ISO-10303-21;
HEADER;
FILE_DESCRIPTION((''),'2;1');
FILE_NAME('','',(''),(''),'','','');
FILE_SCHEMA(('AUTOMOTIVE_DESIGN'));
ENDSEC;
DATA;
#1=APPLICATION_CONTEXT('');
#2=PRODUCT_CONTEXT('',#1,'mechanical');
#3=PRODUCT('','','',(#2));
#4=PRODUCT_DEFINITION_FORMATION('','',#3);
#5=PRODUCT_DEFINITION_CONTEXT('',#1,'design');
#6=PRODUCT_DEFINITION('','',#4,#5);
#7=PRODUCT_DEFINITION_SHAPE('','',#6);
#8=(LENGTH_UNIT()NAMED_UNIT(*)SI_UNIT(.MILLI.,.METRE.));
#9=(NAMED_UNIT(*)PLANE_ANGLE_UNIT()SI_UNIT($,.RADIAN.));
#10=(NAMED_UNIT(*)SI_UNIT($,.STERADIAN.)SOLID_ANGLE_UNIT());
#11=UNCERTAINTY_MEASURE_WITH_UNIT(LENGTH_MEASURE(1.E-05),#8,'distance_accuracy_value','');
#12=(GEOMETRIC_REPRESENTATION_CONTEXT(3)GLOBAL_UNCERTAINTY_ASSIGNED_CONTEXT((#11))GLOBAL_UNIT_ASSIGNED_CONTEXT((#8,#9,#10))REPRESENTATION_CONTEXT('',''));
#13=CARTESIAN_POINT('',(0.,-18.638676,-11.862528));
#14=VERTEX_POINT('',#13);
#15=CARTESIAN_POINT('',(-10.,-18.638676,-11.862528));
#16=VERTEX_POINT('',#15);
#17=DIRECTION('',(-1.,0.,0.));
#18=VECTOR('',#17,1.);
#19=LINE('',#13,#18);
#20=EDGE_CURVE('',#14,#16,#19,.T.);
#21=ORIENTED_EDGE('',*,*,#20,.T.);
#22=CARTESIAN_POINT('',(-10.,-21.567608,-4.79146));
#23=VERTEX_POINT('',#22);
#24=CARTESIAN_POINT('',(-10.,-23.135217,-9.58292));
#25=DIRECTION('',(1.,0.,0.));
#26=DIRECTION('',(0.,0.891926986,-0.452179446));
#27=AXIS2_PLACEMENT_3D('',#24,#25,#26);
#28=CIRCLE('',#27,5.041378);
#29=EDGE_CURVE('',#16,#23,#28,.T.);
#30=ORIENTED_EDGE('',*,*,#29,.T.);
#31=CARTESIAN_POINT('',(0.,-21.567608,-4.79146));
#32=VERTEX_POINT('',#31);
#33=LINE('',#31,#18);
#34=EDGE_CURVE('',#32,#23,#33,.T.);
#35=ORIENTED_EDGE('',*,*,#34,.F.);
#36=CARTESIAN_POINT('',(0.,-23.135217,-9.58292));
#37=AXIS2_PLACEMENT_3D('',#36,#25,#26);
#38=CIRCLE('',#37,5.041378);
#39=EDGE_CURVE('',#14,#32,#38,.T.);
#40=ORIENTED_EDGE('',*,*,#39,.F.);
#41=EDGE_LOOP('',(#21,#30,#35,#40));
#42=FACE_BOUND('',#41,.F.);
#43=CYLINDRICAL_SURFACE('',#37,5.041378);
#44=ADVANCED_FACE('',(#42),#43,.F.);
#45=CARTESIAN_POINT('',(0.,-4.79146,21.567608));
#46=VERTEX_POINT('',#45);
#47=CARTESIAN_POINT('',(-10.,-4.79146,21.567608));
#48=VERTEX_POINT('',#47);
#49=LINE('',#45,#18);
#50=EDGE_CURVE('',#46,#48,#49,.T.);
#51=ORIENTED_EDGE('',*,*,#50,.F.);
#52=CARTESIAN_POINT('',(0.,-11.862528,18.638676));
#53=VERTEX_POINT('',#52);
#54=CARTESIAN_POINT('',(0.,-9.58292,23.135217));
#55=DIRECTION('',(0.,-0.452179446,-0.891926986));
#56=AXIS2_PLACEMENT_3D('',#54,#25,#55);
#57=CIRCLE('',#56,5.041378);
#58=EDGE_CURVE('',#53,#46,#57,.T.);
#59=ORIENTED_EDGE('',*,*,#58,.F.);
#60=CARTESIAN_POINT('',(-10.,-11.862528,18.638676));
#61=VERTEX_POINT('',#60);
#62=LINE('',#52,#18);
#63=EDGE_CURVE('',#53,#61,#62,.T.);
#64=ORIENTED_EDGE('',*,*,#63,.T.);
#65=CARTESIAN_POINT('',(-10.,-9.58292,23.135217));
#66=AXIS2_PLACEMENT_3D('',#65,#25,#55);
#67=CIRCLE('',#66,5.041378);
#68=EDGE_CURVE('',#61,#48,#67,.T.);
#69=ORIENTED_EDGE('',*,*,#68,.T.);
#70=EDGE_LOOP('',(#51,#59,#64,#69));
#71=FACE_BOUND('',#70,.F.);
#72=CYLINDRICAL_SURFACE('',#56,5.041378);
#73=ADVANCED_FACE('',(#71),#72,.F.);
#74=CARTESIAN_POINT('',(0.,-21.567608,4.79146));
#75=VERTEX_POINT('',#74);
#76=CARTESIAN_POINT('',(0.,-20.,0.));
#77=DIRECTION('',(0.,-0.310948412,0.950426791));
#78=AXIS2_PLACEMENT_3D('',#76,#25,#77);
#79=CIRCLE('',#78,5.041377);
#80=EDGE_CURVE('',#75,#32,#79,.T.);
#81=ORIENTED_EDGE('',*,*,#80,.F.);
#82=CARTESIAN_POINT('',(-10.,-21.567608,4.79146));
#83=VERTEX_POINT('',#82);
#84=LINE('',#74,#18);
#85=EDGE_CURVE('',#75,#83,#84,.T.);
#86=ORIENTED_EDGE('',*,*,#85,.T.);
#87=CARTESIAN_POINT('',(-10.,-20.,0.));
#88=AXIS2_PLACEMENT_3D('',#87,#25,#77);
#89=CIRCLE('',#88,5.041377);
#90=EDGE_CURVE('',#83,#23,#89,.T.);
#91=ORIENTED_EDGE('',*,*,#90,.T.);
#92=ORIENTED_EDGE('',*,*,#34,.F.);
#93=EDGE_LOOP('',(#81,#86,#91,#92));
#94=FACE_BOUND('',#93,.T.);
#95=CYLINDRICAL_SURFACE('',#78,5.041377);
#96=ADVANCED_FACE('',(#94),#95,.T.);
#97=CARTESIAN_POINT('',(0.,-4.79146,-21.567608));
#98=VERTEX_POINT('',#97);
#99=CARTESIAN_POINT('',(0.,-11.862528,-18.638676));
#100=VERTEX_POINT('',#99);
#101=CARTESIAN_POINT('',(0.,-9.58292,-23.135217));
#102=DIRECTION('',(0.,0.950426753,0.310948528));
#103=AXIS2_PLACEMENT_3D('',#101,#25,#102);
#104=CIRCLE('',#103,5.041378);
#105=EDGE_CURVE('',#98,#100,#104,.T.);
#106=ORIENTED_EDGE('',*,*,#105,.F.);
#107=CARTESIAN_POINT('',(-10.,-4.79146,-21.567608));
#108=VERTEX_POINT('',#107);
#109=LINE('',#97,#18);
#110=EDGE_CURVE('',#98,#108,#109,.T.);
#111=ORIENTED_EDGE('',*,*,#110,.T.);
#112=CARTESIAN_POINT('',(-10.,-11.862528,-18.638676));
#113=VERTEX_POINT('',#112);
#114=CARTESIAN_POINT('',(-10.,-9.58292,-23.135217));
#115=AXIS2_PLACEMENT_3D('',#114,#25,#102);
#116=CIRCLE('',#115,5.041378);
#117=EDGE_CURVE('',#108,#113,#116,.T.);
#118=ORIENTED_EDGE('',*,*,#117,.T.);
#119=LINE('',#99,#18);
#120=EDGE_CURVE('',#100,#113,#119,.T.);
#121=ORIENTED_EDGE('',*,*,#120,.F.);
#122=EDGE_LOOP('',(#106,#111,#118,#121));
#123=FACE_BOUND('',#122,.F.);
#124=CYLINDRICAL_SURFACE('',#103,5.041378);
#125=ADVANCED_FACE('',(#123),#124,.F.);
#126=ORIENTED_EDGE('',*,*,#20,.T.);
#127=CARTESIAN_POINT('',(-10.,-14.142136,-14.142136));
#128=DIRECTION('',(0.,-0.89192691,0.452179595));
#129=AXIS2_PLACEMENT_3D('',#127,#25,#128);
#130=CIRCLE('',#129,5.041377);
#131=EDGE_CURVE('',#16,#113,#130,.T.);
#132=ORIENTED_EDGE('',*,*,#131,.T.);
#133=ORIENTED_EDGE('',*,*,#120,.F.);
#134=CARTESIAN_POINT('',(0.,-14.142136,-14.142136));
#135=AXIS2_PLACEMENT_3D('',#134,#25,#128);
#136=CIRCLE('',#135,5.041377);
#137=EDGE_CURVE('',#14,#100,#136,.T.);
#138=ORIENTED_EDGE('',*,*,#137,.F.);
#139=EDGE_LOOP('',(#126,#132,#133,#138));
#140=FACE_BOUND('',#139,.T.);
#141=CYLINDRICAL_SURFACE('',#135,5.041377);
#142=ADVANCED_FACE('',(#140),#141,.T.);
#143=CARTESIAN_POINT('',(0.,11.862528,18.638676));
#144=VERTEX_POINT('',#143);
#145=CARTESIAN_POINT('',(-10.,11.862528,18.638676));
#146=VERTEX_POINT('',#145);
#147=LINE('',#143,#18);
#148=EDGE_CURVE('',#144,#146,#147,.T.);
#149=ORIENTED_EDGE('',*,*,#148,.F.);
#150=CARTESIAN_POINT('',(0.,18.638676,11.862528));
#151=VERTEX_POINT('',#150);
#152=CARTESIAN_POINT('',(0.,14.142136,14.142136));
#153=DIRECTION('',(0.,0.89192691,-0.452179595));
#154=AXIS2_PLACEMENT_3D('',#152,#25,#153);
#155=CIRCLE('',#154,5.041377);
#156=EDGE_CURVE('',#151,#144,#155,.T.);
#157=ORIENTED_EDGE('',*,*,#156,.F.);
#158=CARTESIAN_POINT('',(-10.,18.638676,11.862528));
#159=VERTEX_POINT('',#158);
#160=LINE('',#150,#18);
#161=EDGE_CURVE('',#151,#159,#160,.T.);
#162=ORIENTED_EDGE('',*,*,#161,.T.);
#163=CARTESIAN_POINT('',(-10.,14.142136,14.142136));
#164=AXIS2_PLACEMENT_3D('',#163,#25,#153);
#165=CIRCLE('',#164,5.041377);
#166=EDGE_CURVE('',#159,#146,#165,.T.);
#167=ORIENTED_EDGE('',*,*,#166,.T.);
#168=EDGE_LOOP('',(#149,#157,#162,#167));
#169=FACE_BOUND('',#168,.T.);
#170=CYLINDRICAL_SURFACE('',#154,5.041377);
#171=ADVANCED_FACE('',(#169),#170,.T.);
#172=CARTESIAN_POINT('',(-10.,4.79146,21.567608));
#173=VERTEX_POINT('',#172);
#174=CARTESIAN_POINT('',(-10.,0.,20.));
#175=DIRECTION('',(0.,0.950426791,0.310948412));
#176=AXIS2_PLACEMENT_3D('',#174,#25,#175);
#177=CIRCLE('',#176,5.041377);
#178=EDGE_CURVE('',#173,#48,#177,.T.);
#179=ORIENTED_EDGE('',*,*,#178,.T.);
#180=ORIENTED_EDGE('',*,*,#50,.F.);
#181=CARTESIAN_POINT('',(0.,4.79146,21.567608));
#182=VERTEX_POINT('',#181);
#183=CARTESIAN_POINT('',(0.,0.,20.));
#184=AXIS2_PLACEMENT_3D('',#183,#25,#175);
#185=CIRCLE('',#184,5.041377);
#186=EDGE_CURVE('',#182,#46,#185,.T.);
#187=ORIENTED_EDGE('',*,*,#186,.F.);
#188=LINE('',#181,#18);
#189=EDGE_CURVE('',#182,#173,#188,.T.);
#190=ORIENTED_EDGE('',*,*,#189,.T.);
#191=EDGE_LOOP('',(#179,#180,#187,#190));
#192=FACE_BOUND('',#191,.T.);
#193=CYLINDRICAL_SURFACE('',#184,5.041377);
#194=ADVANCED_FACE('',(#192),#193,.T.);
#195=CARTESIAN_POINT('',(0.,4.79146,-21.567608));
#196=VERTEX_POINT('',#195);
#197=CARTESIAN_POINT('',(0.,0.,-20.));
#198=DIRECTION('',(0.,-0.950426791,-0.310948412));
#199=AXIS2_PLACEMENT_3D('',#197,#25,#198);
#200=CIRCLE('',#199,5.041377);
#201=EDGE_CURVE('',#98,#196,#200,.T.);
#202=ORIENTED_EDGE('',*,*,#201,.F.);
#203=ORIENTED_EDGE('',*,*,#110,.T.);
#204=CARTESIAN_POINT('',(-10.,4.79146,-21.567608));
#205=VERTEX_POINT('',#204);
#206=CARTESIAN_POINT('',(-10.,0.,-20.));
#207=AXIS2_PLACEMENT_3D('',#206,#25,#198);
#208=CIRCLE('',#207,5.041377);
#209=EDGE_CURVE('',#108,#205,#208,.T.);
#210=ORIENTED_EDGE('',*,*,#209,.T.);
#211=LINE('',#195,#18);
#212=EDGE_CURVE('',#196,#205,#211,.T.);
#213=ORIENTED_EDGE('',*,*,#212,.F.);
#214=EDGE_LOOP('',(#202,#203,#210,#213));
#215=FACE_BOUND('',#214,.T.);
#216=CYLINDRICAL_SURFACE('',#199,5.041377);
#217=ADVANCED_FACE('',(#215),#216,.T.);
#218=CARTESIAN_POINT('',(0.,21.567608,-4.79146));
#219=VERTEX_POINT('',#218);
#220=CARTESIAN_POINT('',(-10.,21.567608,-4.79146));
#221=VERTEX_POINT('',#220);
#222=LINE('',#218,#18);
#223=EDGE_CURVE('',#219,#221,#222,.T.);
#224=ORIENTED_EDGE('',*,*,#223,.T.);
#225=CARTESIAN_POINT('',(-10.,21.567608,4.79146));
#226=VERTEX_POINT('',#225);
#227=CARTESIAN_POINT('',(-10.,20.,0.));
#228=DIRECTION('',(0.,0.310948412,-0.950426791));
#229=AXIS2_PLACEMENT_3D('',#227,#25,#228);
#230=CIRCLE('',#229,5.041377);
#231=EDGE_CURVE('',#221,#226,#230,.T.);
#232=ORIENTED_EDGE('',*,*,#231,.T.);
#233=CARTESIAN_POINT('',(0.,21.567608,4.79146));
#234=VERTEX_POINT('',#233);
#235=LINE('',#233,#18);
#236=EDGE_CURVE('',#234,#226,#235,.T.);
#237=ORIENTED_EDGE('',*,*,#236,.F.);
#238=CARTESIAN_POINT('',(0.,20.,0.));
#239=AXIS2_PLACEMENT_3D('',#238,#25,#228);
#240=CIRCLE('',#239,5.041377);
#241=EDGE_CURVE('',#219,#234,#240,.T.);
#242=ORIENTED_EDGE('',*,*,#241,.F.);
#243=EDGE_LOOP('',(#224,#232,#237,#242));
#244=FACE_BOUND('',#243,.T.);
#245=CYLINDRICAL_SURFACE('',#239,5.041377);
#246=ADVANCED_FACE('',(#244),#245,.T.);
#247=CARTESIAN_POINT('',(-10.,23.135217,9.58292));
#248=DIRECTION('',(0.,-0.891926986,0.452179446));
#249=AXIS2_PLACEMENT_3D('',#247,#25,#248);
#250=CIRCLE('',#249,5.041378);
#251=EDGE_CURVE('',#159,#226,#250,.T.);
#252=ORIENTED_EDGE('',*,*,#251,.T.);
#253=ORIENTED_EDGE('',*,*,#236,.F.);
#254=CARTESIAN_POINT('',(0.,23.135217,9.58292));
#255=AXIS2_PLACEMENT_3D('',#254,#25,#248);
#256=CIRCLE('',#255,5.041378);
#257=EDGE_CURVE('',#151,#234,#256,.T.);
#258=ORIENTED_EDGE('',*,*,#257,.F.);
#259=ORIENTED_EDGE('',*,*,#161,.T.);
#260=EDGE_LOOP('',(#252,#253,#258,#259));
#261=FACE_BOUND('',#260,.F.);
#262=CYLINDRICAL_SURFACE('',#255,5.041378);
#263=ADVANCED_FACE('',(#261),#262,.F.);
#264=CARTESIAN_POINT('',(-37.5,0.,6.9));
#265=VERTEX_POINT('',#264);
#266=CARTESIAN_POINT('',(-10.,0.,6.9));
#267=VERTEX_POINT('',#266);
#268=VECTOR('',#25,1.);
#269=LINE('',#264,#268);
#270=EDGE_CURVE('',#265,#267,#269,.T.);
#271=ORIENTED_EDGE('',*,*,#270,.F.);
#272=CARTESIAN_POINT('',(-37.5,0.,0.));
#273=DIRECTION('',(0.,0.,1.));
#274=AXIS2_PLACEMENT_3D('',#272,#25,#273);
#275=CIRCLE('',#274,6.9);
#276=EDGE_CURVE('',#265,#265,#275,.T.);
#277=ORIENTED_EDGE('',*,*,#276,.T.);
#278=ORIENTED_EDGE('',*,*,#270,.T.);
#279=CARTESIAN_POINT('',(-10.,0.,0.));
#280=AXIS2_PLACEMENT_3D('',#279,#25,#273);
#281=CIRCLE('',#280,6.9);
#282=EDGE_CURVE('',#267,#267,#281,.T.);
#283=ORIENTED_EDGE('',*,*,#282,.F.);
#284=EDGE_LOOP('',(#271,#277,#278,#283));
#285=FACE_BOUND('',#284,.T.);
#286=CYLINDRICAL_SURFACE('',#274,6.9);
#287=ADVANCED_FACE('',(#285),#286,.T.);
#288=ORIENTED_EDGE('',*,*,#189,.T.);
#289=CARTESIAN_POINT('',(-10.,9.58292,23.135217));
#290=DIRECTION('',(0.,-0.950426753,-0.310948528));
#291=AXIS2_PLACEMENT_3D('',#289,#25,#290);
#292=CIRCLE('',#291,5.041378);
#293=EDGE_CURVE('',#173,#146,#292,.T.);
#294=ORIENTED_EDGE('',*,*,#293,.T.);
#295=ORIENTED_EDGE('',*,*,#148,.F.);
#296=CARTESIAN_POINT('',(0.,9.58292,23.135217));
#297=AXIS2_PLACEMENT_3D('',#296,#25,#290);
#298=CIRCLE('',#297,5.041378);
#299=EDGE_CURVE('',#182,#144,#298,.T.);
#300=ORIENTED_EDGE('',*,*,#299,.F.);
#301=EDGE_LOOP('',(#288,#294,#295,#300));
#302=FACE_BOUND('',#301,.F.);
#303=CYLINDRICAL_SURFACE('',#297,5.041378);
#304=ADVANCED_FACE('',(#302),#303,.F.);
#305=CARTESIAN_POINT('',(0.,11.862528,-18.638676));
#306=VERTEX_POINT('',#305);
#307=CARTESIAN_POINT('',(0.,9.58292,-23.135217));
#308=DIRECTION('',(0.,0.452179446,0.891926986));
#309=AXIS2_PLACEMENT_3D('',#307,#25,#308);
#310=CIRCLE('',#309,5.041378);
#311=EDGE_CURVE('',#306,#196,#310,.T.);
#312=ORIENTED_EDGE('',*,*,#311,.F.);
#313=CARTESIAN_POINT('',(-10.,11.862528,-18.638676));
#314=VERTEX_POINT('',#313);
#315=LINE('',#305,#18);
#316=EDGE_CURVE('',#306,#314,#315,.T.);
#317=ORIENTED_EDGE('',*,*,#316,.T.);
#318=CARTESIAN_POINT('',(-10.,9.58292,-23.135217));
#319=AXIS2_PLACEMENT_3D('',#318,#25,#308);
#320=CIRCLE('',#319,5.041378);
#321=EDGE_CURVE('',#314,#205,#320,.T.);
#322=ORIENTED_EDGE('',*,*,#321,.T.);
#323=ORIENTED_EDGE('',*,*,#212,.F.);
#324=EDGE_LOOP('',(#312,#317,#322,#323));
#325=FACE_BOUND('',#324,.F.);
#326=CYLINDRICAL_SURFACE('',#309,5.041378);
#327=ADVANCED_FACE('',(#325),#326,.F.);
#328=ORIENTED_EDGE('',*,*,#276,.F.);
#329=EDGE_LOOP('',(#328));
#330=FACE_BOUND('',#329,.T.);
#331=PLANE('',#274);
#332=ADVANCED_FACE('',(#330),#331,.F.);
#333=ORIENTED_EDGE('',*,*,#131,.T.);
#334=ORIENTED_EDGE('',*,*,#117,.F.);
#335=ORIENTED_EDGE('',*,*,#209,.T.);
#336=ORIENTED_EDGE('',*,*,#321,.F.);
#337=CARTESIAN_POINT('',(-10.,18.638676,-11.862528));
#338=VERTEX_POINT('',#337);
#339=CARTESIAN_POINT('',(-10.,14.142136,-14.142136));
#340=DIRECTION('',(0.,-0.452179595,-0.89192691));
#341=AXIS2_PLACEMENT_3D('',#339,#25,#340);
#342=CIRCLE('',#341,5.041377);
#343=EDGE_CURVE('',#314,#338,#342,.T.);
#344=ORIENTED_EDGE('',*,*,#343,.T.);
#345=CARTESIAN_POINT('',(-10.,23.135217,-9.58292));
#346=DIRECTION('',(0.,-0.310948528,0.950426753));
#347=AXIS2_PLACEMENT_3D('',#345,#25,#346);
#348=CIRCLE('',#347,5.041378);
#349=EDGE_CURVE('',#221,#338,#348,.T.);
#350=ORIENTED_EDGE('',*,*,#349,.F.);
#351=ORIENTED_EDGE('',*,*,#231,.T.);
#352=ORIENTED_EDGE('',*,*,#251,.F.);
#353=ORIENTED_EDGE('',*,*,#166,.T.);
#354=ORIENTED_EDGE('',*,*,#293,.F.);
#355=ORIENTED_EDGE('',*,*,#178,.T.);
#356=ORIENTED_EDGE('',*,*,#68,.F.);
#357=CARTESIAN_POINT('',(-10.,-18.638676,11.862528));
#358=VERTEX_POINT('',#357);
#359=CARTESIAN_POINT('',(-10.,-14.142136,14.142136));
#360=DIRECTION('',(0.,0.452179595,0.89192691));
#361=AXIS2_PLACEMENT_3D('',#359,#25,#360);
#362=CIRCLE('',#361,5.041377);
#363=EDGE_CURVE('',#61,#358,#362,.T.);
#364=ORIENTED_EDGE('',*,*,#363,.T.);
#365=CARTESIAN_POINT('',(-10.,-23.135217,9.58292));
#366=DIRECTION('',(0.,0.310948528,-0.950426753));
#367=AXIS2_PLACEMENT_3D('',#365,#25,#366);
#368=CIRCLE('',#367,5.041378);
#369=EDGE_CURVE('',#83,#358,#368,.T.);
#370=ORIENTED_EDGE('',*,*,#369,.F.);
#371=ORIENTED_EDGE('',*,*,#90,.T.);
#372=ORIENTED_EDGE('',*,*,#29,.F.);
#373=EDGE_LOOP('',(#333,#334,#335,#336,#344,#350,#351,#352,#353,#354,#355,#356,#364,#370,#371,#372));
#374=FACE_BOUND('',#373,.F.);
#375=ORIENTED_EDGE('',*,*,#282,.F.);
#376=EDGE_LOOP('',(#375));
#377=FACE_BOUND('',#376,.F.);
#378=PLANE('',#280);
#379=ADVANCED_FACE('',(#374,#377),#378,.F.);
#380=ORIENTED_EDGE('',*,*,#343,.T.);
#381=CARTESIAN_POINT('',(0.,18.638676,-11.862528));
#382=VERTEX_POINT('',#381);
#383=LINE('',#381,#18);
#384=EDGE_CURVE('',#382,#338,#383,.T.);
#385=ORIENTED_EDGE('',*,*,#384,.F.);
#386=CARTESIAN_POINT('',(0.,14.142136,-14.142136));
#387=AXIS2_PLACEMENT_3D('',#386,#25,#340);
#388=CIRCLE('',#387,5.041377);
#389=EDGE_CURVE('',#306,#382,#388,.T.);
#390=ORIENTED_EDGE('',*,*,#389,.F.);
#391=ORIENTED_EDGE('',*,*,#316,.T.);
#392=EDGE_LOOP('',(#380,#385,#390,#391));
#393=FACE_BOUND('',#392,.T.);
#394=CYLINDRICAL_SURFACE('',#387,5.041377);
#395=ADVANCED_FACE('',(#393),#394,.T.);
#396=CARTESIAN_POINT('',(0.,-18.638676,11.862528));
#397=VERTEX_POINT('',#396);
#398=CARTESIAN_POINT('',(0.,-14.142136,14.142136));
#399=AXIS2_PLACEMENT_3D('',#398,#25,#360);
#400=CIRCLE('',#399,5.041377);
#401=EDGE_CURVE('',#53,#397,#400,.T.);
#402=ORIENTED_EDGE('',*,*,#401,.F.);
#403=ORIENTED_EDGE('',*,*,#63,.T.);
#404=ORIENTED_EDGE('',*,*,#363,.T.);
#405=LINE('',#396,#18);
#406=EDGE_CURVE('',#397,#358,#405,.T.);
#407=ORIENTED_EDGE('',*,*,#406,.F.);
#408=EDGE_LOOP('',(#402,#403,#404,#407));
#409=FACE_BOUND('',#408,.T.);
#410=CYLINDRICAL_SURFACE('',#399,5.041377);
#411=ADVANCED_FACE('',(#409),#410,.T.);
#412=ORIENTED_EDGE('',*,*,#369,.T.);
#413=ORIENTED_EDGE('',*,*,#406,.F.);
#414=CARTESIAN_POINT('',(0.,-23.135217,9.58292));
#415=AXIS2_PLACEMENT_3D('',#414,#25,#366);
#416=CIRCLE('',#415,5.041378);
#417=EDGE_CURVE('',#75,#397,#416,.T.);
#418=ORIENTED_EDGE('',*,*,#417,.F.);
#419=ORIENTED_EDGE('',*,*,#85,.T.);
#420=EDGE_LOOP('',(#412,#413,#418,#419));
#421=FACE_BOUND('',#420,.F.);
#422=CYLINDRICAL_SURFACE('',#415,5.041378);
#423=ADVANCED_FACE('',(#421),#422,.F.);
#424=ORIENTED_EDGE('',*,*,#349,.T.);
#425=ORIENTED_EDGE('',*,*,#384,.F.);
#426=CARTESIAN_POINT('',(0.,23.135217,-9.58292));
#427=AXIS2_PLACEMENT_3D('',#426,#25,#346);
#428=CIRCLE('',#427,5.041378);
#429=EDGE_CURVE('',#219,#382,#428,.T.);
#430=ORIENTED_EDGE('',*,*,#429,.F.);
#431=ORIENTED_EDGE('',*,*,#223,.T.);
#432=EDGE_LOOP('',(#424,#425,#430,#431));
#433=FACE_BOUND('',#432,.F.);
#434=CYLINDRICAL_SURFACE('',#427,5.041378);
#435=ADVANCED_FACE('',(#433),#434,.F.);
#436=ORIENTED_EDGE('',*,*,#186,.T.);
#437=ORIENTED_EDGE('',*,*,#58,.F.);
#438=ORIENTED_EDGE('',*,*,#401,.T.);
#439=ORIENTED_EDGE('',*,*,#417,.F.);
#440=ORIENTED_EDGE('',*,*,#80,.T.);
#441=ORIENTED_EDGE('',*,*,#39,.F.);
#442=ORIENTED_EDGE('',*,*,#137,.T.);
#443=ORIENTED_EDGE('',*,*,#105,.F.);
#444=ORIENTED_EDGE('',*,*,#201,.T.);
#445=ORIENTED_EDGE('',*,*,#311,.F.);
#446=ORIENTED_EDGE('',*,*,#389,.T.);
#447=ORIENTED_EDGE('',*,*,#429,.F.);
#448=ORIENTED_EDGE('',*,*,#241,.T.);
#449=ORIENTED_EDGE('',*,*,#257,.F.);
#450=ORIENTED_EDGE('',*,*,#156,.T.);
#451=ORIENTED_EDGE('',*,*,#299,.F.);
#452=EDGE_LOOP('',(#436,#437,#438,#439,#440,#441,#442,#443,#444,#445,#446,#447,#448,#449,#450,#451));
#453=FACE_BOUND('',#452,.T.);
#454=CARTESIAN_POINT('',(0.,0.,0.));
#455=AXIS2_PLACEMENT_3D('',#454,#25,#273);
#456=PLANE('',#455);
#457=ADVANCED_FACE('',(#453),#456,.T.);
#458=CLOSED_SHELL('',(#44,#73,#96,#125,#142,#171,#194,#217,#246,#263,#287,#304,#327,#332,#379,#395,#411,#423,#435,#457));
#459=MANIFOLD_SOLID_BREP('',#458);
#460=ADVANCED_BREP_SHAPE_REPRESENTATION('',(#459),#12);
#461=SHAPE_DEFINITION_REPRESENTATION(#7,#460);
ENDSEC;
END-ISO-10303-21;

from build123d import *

# Parameters (mm, degrees)
PAD_DEPTH = 10


with BuildPart() as part:
    # Sketch → Revolution (revolve)
    with BuildSketch(Plane.XZ):
        Polygon((-37.5, 6.9), (-10, 6.9), (-10, 20), (0, 20), (0, 0), (-37.5, 0), align=None)
    revolve(axis=Axis((0, 0, 0), (1, 0, 0)))

    # Sketch001 (on Face4 of Revolution) → Pad (new body)
    with BuildSketch(Plane(origin=(0, 0, 0), x_dir=(0, 0, 1), z_dir=(1, 0, 0))):
        with BuildLine():
            ThreePointArc((-21.567608, 4.79146), (-25.041377, 0), (-21.567608, -4.79146))
            ThreePointArc((-18.638676, -11.862528), (-18.477591, -7.653669), (-21.567608, -4.79146))
            ThreePointArc((-18.638676, -11.862528), (-17.706928, -17.706928), (-11.862528, -18.638676))
            ThreePointArc((-4.79146, -21.567608), (-7.653669, -18.477591), (-11.862528, -18.638676))
            ThreePointArc((-4.79146, -21.567608), (0, -25.041377), (4.79146, -21.567608))
            ThreePointArc((11.862528, -18.638676), (7.653669, -18.477591), (4.79146, -21.567608))
            ThreePointArc((11.862528, -18.638676), (17.706928, -17.706928), (18.638676, -11.862528))
            ThreePointArc((21.567608, -4.79146), (18.477591, -7.653669), (18.638676, -11.862528))
            ThreePointArc((21.567608, -4.79146), (25.041377, 0), (21.567608, 4.79146))
            ThreePointArc((18.638676, 11.862528), (18.477591, 7.653669), (21.567608, 4.79146))
            ThreePointArc((18.638676, 11.862528), (17.706928, 17.706928), (11.862528, 18.638676))
            ThreePointArc((4.79146, 21.567608), (7.653669, 18.477591), (11.862528, 18.638676))
            ThreePointArc((4.79146, 21.567608), (0, 25.041377), (-4.79146, 21.567608))
            ThreePointArc((-11.862528, 18.638676), (-7.653669, 18.477591), (-4.79146, 21.567608))
            ThreePointArc((-11.862528, 18.638676), (-17.706928, 17.706928), (-18.638676, 11.862528))
            ThreePointArc((-21.567608, 4.79146), (-18.477591, 7.653669), (-18.638676, 11.862528))
        make_face()
    extrude(amount=-PAD_DEPTH)


solid = part.part
